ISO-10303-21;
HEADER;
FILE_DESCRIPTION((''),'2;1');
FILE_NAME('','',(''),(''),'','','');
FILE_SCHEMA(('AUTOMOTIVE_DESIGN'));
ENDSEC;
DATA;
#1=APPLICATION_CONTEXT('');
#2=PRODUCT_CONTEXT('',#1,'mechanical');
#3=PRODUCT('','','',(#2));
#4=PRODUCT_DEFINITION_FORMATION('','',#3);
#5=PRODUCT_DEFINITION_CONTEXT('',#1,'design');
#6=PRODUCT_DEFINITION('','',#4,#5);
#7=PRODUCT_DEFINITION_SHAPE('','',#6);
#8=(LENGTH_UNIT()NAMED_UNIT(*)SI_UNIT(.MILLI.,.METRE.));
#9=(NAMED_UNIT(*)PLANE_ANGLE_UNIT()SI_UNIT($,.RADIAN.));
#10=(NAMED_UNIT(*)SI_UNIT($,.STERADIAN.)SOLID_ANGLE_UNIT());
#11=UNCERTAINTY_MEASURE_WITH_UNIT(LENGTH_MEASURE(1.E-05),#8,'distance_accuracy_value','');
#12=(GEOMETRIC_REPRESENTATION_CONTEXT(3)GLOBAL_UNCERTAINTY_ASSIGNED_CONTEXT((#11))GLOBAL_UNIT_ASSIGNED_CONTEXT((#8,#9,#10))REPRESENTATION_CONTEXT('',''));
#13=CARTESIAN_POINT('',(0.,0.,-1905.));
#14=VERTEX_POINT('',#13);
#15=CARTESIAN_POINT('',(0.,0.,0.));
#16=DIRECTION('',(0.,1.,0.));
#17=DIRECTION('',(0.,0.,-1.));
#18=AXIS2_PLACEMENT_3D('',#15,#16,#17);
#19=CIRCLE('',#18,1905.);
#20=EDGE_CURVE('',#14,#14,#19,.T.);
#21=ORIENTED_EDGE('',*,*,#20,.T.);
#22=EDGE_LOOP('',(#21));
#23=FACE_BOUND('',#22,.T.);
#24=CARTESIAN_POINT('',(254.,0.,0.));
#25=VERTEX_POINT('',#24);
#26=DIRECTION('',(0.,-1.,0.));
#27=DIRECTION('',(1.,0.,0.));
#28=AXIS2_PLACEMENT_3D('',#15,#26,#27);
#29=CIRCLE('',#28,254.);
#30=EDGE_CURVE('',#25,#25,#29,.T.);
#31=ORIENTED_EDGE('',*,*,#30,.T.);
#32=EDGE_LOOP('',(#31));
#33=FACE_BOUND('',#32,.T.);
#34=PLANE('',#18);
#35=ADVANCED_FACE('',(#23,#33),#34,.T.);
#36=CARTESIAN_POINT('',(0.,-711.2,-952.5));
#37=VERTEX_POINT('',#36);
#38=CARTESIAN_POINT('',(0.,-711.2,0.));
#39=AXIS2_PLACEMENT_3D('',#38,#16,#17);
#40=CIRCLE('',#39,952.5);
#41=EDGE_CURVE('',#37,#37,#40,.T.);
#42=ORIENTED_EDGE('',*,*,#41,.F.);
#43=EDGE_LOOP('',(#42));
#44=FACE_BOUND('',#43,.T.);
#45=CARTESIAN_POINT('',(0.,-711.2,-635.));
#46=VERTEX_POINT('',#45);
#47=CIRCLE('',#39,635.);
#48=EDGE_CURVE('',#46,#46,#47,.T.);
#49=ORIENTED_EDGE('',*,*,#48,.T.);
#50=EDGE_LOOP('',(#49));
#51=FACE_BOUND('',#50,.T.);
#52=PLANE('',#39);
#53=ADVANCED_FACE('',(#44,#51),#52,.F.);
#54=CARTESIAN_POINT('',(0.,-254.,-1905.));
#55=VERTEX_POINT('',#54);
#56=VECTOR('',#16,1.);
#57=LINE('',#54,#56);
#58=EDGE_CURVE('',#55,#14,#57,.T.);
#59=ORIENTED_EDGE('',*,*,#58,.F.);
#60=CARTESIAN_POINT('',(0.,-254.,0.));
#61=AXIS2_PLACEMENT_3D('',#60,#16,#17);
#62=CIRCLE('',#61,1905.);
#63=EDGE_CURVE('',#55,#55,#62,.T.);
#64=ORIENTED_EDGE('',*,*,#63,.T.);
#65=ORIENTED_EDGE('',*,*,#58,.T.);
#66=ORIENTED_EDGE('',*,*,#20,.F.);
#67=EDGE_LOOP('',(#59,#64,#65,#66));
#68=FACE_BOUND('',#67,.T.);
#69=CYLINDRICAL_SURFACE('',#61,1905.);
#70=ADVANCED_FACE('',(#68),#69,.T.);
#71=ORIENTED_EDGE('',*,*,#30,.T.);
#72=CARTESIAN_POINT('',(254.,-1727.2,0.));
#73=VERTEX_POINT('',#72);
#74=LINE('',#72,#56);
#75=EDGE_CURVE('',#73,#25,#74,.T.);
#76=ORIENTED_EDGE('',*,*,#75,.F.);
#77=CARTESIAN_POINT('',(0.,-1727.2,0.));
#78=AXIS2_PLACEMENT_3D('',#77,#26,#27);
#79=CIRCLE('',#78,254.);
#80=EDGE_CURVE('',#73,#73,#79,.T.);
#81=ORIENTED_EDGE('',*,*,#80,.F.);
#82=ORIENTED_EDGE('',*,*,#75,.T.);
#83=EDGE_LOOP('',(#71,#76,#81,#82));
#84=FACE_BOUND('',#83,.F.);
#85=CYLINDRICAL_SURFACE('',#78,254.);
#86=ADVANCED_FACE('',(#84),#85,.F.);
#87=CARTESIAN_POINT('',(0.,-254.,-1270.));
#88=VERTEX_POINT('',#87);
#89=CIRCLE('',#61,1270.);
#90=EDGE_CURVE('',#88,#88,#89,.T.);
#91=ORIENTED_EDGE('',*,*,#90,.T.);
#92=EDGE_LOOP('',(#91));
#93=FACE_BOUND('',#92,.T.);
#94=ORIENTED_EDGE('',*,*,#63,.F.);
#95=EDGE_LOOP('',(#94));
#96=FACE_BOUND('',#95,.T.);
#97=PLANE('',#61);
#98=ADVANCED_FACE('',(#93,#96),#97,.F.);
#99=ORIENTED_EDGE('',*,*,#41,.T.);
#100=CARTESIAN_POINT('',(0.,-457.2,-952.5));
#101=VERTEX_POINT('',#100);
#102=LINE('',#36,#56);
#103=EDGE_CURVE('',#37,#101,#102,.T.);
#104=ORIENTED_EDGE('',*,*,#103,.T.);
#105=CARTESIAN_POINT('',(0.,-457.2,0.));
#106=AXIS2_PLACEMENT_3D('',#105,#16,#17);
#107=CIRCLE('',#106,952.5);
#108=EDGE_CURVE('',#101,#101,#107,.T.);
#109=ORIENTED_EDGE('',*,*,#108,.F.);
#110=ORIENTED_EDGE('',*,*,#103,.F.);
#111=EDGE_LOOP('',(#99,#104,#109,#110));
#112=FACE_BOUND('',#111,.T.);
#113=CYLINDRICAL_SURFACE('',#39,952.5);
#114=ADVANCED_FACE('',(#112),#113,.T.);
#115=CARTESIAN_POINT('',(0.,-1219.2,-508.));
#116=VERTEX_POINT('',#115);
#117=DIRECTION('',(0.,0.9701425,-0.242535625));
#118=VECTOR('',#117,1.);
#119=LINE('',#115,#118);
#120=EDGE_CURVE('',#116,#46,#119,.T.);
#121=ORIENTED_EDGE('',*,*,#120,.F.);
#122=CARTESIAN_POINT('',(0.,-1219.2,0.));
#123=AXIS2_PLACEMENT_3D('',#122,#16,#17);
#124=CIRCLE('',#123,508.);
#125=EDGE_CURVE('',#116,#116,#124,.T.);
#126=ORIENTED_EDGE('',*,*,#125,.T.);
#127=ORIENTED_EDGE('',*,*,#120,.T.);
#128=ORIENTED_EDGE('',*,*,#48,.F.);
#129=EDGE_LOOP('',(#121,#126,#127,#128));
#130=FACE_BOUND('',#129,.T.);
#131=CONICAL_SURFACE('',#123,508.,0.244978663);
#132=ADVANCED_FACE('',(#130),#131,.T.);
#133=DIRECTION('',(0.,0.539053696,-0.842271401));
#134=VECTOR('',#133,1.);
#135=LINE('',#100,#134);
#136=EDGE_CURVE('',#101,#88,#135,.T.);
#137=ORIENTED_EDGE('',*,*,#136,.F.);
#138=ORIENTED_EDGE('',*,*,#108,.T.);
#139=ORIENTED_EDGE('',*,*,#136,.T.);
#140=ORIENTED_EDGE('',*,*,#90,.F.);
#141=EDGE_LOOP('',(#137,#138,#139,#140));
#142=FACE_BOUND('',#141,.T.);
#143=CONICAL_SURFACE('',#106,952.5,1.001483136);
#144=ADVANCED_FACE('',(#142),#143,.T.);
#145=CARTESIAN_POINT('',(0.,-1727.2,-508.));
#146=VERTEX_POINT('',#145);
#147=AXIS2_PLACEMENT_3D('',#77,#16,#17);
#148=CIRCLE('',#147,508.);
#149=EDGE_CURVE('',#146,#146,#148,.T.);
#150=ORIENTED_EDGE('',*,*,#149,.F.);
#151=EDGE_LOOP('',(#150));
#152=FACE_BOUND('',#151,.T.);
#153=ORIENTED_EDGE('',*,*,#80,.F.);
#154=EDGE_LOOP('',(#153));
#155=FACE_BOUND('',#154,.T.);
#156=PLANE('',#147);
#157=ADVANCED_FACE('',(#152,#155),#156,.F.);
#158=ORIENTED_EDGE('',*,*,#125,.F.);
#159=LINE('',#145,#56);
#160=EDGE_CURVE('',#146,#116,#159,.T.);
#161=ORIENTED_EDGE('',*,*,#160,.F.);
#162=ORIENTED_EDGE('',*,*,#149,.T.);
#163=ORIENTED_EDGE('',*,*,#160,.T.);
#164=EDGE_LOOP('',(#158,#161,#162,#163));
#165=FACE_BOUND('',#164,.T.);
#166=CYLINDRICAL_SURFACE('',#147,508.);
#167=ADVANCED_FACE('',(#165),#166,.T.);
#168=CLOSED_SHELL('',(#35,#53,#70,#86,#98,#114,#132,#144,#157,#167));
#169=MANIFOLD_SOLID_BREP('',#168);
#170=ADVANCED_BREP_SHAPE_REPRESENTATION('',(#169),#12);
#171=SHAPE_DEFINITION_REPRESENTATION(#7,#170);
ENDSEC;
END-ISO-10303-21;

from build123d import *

# Parameters (mm, degrees)
F2_R     = 254
F3_DEPTH = 1727.201


with BuildPart() as f1:
    # F0 (on Right) → F1 (revolve)
    with BuildSketch(Plane.YZ):
        Polygon((0, -1905), (0, 0), (-1727.2, 0), (-1727.2, -508), (-1219.2, -508), (-711.2, -635), (-711.2, -952.5), (-457.2, -952.5), (-254, -1270), (-254, -1905), align=None)
    revolve(axis=Axis((0, -863.6, 0), (0, 1, 0)))

    # F2 (on face) → F3 (cut, through all)
    with BuildSketch(Plane.XZ.offset(1727.2)):
        Circle(F2_R)
    extrude(amount=-F3_DEPTH, mode=Mode.SUBTRACT)


solid = f1.part
